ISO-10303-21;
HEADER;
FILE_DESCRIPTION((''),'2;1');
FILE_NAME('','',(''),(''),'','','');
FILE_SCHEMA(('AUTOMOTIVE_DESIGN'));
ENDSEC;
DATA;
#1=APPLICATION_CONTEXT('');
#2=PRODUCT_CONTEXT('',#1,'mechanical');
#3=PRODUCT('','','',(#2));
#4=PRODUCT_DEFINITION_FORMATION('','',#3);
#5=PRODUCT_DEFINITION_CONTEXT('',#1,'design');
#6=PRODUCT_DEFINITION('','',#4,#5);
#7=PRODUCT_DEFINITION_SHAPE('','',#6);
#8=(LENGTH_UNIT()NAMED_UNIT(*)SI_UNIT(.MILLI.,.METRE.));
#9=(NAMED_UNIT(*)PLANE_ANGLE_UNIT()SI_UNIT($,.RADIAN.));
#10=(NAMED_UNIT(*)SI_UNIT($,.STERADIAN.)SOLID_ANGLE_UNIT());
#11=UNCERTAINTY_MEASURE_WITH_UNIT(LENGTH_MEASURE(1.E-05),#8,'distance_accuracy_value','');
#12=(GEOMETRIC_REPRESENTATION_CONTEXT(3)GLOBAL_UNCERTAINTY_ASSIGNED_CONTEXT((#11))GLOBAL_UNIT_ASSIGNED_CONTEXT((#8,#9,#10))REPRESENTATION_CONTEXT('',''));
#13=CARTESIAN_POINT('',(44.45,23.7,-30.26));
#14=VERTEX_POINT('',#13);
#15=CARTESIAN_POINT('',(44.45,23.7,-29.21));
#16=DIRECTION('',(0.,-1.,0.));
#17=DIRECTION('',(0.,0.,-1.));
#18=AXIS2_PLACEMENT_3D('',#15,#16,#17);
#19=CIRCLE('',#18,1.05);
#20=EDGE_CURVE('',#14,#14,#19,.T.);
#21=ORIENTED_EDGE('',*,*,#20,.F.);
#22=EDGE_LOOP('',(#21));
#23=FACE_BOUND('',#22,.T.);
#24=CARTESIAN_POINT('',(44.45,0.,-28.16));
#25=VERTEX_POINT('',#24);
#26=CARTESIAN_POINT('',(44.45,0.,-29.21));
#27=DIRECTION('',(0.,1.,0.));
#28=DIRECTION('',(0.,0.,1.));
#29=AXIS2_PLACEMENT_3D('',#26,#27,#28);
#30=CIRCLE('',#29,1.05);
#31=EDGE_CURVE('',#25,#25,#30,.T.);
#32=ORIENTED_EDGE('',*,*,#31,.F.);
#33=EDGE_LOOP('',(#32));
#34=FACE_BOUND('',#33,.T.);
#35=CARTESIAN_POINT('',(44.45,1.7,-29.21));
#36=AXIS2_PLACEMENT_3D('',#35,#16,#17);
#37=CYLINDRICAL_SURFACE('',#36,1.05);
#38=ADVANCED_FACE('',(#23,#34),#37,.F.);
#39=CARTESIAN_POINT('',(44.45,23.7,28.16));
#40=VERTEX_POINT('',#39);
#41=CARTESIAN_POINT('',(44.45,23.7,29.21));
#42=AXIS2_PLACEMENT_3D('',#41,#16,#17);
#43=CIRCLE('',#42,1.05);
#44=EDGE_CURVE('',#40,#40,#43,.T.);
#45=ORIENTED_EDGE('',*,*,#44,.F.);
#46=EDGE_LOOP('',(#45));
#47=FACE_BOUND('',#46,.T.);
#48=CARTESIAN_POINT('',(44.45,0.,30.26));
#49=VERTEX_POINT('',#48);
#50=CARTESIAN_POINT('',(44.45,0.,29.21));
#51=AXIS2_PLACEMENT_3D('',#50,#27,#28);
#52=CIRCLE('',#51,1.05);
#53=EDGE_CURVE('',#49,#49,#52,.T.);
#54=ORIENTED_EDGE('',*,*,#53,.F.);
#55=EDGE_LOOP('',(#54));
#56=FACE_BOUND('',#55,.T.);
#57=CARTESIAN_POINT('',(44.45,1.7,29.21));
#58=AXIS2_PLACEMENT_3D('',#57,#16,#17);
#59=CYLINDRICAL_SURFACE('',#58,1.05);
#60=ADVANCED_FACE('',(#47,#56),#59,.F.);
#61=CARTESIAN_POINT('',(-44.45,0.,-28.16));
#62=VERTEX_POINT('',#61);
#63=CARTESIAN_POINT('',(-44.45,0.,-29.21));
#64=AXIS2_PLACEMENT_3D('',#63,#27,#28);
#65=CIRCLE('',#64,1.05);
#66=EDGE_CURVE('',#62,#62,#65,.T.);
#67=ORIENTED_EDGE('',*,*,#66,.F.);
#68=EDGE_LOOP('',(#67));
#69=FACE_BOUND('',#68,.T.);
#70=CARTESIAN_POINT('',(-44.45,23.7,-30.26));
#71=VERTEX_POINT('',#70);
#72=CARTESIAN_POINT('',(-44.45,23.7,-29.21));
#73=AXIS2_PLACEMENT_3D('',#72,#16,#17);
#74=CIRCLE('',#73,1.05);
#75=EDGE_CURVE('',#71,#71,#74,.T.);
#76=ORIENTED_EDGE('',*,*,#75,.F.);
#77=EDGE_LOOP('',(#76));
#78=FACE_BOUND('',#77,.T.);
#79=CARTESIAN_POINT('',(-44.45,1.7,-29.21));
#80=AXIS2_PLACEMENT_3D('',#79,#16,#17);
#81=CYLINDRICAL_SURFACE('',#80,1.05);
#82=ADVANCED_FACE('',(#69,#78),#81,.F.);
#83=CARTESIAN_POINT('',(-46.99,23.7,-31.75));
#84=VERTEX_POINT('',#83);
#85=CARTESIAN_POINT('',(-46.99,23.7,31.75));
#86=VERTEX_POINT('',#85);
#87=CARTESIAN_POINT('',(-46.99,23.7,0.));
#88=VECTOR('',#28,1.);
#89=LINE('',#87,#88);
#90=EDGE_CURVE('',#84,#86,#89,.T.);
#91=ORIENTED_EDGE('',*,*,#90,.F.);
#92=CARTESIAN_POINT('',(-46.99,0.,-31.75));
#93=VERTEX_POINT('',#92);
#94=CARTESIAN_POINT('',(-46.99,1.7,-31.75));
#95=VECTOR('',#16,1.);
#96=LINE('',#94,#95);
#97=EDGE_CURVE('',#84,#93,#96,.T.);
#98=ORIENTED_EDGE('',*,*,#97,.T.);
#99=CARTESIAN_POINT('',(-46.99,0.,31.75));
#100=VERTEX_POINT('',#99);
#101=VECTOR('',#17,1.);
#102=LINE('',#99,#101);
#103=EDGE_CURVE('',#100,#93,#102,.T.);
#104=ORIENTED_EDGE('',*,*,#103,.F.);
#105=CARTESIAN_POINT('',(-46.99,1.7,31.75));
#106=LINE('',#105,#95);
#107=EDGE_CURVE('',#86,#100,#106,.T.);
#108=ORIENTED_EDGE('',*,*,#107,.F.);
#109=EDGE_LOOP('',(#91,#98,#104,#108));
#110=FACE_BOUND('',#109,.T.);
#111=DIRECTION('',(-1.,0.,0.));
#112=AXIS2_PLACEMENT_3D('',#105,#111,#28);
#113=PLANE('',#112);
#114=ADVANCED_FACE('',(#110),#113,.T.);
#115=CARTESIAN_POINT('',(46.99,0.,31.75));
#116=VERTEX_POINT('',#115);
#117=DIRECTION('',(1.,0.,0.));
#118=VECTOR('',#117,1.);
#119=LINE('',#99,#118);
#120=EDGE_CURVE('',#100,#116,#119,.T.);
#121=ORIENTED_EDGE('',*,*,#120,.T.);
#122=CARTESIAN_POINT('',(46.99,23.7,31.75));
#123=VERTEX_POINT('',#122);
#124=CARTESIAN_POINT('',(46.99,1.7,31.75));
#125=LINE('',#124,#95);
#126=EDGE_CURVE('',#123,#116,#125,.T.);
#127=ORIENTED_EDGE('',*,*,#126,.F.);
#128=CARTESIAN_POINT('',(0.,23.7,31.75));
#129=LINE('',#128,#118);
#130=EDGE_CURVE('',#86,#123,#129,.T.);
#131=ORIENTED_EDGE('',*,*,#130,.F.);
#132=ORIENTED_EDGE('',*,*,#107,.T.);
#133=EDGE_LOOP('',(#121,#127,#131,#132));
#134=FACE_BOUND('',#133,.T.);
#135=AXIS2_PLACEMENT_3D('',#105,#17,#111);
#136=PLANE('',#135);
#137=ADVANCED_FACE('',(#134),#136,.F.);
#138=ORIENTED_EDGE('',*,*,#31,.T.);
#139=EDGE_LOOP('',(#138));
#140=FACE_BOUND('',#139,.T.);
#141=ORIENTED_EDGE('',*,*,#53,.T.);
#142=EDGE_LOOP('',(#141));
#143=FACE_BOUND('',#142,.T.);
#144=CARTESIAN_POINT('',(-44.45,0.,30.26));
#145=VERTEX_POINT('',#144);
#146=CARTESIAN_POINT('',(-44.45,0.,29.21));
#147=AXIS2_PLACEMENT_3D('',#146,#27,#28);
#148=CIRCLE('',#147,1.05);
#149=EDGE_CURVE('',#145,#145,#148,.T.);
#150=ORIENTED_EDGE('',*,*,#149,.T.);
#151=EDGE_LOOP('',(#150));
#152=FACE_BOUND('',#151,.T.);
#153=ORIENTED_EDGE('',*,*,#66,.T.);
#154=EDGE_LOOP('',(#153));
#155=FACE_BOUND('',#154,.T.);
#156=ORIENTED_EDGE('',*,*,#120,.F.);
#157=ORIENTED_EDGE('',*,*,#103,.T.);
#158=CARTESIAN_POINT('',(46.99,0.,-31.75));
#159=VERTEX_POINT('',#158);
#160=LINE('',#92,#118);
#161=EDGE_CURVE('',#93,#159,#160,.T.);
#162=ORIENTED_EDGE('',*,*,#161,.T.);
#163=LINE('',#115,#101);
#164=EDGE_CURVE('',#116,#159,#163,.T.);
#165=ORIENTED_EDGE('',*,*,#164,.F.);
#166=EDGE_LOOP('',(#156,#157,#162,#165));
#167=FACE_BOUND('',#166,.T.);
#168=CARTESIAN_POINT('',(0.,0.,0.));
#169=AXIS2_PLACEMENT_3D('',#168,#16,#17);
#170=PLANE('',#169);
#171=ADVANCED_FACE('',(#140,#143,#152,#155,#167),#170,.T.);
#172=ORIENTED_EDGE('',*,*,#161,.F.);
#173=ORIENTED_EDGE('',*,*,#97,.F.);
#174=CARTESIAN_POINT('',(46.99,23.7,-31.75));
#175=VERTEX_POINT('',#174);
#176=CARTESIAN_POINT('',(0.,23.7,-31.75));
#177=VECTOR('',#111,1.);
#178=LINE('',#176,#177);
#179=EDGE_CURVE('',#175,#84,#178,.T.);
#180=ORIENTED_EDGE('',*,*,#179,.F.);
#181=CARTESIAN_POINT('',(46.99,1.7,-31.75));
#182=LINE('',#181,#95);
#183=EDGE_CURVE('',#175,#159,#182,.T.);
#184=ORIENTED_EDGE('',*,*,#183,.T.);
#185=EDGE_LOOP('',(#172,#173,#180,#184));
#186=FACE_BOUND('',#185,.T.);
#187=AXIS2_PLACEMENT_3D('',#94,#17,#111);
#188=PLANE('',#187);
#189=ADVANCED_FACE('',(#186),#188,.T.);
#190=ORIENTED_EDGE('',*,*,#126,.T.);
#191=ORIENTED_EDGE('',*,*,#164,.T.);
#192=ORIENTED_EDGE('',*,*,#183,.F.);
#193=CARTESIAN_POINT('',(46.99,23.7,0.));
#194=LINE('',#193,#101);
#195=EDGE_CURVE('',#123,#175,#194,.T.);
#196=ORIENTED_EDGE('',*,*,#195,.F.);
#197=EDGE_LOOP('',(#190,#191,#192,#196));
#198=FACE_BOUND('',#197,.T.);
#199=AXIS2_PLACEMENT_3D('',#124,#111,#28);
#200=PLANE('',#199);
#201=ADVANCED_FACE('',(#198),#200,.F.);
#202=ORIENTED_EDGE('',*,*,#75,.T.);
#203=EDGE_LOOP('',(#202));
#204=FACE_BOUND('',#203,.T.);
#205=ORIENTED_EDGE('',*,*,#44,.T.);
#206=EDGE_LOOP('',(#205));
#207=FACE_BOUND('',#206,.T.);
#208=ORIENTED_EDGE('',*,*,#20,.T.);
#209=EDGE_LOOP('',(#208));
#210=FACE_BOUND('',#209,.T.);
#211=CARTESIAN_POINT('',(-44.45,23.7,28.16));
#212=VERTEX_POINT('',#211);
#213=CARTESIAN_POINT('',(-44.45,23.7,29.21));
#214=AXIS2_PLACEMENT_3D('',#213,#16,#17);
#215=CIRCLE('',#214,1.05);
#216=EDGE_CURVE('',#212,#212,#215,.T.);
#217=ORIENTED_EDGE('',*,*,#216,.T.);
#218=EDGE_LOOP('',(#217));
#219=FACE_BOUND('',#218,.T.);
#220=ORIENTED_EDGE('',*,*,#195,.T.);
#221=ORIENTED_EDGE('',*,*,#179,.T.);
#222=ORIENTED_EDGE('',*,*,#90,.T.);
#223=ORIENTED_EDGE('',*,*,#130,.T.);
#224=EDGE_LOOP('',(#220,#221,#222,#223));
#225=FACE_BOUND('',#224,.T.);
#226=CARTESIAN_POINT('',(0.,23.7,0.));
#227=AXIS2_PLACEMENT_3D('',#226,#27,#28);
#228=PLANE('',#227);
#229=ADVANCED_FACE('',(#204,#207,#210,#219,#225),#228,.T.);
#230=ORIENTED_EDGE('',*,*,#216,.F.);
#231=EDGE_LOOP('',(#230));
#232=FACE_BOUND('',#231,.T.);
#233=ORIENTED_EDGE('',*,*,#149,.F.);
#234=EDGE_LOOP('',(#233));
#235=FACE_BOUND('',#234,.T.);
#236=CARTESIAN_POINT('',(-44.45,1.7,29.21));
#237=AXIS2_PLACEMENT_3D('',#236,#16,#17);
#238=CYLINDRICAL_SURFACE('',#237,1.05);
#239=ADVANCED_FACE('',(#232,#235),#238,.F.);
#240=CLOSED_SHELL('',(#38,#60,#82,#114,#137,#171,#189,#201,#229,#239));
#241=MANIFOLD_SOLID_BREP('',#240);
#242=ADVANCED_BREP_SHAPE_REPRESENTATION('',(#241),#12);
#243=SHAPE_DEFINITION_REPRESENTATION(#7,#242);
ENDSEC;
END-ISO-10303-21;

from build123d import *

# Parameters (mm, degrees)
SKETCH_1_W      = 93.98
SKETCH_1_H      = 63.5
SKETCH_1_R      = 1.05
EXTRUDE_1_DEPTH = 1.7
EXTRUDE_START   = 1.7
SKETCH_1_4_W    = 93.98
SKETCH_1_4_H    = 63.5
SKETCH_1_4_R    = 1.05
EXTRUDE_2_DEPTH = 22


with BuildPart() as part:
    # 草图1 → 凸台-拉伸1 (new body)
    with BuildSketch(Plane(origin=(0, 0, 0), x_dir=(1, 0, 0), z_dir=(0, 1, 0))):
        Rectangle(SKETCH_1_W, SKETCH_1_H)
        with Locations(Location((-44.45, 29.21, 0), (0, 0, 270))):
            Circle(SKETCH_1_R, mode=Mode.SUBTRACT)
        with Locations(Location((-44.45, -29.21, 0), (0, 0, 270))):
            Circle(SKETCH_1_R, mode=Mode.SUBTRACT)
        with Locations(Location((44.45, 29.21, 0), (0, 0, 270))):
            Circle(SKETCH_1_R, mode=Mode.SUBTRACT)
        with Locations(Location((44.45, -29.21, 0), (0, 0, 270))):
            Circle(SKETCH_1_R, mode=Mode.SUBTRACT)
    extrude(amount=EXTRUDE_1_DEPTH)

    # 草图1<4> → 凸台-拉伸2 (add)
    with BuildSketch(Plane(origin=(0, 0, 0), x_dir=(1, 0, 0), z_dir=(0, 1, 0)).offset(EXTRUDE_START)):
        Rectangle(SKETCH_1_4_W, SKETCH_1_4_H)
        with Locations(Location((-44.45, 29.21, 0), (0, 0, 90))):
            Circle(SKETCH_1_4_R, mode=Mode.SUBTRACT)
        with Locations(Location((-44.45, -29.21, 0), (0, 0, 90))):
            Circle(SKETCH_1_4_R, mode=Mode.SUBTRACT)
        with Locations(Location((44.45, 29.21, 0), (0, 0, 90))):
            Circle(SKETCH_1_4_R, mode=Mode.SUBTRACT)
        with Locations(Location((44.45, -29.21, 0), (0, 0, 90))):
            Circle(SKETCH_1_4_R, mode=Mode.SUBTRACT)
    extrude(amount=EXTRUDE_2_DEPTH)


solid = part.part
